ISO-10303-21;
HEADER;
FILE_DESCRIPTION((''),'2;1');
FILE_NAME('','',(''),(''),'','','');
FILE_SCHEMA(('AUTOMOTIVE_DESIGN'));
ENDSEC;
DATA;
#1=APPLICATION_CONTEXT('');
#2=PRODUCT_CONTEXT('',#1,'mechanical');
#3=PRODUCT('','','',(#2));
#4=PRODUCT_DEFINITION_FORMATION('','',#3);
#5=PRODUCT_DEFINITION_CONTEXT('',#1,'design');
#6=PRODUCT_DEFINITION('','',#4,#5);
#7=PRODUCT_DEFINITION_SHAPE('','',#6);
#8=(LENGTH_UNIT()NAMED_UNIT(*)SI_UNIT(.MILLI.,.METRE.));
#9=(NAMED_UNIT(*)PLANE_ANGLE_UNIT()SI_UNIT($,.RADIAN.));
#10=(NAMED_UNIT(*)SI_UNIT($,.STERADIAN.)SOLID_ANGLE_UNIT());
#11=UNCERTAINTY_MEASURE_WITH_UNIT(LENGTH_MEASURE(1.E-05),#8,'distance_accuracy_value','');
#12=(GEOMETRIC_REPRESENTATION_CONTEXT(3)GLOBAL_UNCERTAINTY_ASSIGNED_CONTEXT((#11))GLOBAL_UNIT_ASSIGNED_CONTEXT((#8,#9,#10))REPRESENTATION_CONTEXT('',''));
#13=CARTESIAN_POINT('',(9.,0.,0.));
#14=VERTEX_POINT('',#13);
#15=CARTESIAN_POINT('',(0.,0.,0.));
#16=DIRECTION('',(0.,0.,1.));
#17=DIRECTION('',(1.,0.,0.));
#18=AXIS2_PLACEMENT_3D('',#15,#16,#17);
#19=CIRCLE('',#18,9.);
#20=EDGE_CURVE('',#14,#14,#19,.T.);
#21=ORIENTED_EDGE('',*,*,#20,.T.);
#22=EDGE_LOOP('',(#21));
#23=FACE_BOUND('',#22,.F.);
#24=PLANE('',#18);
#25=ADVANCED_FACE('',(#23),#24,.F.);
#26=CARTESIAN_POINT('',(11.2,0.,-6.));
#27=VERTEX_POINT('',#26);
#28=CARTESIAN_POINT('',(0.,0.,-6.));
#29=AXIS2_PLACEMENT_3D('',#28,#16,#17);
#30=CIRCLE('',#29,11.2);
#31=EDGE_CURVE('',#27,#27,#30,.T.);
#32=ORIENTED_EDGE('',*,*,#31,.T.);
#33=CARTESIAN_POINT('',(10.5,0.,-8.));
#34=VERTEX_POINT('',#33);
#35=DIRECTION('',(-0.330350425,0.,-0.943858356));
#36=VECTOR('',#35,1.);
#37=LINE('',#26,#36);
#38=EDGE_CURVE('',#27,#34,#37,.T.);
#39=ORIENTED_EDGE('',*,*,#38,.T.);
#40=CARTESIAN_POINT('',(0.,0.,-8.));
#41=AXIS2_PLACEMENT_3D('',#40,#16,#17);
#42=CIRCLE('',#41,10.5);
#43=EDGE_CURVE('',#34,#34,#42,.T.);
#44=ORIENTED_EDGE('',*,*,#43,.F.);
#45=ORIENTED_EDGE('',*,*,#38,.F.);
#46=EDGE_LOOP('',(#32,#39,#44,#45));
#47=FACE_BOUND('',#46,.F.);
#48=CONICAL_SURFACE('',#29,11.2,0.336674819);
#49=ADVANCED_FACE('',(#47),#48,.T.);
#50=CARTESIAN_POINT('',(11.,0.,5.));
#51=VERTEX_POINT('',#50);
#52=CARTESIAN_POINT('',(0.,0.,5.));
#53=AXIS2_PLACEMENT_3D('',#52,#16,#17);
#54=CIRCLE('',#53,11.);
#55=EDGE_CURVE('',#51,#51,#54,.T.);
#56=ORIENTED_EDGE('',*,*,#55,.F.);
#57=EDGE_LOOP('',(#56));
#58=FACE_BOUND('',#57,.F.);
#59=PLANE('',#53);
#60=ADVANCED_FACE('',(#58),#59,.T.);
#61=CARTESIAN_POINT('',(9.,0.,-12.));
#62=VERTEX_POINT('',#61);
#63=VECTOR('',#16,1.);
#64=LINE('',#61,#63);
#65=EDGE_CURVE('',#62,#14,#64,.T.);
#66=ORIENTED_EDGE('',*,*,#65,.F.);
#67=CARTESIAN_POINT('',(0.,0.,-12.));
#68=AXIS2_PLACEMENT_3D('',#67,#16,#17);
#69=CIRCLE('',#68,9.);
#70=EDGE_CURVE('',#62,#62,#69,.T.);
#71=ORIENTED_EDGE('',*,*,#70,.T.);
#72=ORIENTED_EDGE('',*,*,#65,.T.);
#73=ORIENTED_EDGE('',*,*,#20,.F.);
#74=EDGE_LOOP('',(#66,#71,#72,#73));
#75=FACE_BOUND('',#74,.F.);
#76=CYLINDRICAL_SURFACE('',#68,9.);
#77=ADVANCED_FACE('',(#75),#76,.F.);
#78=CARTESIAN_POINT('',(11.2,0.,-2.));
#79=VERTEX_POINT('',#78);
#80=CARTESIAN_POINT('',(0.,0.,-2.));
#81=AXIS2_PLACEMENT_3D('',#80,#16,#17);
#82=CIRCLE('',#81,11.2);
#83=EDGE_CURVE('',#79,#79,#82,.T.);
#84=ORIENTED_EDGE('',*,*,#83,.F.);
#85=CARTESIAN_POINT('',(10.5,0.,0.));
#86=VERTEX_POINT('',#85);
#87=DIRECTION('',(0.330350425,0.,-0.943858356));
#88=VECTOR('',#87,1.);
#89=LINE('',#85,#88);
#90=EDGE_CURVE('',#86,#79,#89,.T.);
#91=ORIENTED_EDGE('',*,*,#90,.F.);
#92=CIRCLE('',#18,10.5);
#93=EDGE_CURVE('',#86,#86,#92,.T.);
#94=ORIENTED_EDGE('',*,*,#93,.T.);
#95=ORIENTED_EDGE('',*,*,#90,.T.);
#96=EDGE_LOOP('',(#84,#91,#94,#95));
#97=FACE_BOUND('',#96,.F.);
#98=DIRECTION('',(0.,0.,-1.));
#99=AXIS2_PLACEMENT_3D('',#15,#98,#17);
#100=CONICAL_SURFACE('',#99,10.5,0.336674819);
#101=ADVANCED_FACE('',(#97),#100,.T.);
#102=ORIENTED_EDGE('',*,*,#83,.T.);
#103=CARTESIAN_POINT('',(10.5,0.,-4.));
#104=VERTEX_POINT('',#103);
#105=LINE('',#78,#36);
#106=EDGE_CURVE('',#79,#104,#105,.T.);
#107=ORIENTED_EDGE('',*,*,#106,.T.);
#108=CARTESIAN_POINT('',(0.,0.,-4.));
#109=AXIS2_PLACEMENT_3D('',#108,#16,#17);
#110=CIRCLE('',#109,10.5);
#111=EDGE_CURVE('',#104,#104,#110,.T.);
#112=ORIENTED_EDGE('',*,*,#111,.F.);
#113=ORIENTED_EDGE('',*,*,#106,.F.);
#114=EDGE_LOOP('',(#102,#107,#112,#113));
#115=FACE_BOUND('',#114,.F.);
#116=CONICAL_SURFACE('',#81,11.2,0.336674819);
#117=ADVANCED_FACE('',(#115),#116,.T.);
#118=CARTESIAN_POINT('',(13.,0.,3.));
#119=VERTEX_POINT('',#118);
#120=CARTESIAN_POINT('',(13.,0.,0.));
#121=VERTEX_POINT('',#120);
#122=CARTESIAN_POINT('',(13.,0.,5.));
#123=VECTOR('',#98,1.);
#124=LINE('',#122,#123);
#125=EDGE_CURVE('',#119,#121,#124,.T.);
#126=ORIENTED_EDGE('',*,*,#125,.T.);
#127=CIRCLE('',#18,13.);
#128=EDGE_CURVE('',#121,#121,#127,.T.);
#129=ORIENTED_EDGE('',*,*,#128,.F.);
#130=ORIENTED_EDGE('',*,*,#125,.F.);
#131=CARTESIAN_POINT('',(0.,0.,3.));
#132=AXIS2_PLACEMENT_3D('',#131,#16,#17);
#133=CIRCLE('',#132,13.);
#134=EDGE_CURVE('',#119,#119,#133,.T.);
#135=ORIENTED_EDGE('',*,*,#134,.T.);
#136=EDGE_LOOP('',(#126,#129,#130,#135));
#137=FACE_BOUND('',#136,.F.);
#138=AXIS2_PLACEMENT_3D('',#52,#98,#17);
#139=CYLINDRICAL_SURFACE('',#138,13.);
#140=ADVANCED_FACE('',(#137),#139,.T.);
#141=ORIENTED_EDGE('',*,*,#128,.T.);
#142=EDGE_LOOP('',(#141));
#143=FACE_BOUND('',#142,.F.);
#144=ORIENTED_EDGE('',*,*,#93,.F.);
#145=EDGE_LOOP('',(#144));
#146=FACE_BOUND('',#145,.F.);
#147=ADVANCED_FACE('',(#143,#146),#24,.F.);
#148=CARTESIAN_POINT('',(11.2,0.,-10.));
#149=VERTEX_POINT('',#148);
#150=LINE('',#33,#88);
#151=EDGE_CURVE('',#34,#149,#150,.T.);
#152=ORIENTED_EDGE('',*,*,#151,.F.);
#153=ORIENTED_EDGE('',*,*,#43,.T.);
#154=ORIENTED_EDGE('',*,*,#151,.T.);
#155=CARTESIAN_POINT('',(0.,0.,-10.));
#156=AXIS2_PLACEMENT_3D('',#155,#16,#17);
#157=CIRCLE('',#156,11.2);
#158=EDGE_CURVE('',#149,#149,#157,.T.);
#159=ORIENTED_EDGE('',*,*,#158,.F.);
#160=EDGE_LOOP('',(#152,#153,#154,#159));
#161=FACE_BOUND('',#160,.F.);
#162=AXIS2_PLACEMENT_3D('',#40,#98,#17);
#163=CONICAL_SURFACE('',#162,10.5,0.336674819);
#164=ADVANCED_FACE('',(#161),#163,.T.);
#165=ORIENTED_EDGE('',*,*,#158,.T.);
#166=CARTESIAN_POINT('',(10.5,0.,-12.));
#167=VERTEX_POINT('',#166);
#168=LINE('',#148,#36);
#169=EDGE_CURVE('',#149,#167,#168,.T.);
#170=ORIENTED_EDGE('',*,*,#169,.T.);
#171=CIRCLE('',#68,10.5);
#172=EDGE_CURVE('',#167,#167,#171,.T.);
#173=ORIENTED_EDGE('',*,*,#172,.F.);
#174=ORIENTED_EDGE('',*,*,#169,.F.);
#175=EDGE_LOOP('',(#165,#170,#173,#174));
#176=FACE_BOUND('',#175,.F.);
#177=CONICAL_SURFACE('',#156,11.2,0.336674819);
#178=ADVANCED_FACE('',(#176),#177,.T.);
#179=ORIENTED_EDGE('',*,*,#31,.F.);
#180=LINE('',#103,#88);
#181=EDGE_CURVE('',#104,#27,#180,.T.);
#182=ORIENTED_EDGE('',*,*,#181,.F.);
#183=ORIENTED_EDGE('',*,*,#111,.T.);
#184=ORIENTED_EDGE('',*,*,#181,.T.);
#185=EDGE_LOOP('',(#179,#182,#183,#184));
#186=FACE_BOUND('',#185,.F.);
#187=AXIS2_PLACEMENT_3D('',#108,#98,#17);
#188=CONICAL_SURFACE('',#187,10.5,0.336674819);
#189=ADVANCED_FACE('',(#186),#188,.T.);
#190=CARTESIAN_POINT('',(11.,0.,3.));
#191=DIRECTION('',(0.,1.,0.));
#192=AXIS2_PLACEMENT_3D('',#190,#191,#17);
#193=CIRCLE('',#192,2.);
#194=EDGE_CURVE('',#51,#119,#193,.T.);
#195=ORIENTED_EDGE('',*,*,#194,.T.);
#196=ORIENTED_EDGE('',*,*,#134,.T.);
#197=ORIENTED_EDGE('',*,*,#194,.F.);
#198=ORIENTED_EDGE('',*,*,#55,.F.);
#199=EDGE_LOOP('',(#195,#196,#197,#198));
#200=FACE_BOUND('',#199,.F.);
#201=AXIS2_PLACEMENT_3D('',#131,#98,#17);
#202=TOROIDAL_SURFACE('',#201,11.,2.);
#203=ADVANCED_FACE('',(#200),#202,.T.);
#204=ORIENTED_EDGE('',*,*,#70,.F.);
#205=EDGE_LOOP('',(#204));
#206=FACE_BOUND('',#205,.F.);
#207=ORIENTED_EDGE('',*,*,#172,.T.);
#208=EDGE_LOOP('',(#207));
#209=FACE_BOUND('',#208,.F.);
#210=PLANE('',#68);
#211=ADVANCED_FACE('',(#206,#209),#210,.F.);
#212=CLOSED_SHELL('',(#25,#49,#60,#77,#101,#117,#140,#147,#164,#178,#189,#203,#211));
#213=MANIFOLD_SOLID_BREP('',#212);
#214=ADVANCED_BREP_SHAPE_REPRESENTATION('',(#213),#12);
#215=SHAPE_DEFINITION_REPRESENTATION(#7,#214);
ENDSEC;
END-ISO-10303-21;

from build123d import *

# Parameters (mm, degrees)
FILLET_R = 2


with BuildPart() as part:
    # Sketch → Revolution (revolve)
    with BuildSketch(Plane.XZ):
        Polygon((0, 5), (13, 5), (13, 0), (10.5, 0), (11.2, -2), (10.5, -4), (11.2, -6), (10.5, -8), (11.2, -10), (10.5, -12), (9, -12), (9, 0), (0, 0), align=None)
    revolve(axis=Axis((0, 0, 0), (0, 0, 1)))

    # Fillet
    fillet_edges = [part.edges().sort_by_distance(p)[0] for p in [
        (-13, 0, 5),
    ]]
    fillet(fillet_edges, radius=FILLET_R)


solid = part.part
